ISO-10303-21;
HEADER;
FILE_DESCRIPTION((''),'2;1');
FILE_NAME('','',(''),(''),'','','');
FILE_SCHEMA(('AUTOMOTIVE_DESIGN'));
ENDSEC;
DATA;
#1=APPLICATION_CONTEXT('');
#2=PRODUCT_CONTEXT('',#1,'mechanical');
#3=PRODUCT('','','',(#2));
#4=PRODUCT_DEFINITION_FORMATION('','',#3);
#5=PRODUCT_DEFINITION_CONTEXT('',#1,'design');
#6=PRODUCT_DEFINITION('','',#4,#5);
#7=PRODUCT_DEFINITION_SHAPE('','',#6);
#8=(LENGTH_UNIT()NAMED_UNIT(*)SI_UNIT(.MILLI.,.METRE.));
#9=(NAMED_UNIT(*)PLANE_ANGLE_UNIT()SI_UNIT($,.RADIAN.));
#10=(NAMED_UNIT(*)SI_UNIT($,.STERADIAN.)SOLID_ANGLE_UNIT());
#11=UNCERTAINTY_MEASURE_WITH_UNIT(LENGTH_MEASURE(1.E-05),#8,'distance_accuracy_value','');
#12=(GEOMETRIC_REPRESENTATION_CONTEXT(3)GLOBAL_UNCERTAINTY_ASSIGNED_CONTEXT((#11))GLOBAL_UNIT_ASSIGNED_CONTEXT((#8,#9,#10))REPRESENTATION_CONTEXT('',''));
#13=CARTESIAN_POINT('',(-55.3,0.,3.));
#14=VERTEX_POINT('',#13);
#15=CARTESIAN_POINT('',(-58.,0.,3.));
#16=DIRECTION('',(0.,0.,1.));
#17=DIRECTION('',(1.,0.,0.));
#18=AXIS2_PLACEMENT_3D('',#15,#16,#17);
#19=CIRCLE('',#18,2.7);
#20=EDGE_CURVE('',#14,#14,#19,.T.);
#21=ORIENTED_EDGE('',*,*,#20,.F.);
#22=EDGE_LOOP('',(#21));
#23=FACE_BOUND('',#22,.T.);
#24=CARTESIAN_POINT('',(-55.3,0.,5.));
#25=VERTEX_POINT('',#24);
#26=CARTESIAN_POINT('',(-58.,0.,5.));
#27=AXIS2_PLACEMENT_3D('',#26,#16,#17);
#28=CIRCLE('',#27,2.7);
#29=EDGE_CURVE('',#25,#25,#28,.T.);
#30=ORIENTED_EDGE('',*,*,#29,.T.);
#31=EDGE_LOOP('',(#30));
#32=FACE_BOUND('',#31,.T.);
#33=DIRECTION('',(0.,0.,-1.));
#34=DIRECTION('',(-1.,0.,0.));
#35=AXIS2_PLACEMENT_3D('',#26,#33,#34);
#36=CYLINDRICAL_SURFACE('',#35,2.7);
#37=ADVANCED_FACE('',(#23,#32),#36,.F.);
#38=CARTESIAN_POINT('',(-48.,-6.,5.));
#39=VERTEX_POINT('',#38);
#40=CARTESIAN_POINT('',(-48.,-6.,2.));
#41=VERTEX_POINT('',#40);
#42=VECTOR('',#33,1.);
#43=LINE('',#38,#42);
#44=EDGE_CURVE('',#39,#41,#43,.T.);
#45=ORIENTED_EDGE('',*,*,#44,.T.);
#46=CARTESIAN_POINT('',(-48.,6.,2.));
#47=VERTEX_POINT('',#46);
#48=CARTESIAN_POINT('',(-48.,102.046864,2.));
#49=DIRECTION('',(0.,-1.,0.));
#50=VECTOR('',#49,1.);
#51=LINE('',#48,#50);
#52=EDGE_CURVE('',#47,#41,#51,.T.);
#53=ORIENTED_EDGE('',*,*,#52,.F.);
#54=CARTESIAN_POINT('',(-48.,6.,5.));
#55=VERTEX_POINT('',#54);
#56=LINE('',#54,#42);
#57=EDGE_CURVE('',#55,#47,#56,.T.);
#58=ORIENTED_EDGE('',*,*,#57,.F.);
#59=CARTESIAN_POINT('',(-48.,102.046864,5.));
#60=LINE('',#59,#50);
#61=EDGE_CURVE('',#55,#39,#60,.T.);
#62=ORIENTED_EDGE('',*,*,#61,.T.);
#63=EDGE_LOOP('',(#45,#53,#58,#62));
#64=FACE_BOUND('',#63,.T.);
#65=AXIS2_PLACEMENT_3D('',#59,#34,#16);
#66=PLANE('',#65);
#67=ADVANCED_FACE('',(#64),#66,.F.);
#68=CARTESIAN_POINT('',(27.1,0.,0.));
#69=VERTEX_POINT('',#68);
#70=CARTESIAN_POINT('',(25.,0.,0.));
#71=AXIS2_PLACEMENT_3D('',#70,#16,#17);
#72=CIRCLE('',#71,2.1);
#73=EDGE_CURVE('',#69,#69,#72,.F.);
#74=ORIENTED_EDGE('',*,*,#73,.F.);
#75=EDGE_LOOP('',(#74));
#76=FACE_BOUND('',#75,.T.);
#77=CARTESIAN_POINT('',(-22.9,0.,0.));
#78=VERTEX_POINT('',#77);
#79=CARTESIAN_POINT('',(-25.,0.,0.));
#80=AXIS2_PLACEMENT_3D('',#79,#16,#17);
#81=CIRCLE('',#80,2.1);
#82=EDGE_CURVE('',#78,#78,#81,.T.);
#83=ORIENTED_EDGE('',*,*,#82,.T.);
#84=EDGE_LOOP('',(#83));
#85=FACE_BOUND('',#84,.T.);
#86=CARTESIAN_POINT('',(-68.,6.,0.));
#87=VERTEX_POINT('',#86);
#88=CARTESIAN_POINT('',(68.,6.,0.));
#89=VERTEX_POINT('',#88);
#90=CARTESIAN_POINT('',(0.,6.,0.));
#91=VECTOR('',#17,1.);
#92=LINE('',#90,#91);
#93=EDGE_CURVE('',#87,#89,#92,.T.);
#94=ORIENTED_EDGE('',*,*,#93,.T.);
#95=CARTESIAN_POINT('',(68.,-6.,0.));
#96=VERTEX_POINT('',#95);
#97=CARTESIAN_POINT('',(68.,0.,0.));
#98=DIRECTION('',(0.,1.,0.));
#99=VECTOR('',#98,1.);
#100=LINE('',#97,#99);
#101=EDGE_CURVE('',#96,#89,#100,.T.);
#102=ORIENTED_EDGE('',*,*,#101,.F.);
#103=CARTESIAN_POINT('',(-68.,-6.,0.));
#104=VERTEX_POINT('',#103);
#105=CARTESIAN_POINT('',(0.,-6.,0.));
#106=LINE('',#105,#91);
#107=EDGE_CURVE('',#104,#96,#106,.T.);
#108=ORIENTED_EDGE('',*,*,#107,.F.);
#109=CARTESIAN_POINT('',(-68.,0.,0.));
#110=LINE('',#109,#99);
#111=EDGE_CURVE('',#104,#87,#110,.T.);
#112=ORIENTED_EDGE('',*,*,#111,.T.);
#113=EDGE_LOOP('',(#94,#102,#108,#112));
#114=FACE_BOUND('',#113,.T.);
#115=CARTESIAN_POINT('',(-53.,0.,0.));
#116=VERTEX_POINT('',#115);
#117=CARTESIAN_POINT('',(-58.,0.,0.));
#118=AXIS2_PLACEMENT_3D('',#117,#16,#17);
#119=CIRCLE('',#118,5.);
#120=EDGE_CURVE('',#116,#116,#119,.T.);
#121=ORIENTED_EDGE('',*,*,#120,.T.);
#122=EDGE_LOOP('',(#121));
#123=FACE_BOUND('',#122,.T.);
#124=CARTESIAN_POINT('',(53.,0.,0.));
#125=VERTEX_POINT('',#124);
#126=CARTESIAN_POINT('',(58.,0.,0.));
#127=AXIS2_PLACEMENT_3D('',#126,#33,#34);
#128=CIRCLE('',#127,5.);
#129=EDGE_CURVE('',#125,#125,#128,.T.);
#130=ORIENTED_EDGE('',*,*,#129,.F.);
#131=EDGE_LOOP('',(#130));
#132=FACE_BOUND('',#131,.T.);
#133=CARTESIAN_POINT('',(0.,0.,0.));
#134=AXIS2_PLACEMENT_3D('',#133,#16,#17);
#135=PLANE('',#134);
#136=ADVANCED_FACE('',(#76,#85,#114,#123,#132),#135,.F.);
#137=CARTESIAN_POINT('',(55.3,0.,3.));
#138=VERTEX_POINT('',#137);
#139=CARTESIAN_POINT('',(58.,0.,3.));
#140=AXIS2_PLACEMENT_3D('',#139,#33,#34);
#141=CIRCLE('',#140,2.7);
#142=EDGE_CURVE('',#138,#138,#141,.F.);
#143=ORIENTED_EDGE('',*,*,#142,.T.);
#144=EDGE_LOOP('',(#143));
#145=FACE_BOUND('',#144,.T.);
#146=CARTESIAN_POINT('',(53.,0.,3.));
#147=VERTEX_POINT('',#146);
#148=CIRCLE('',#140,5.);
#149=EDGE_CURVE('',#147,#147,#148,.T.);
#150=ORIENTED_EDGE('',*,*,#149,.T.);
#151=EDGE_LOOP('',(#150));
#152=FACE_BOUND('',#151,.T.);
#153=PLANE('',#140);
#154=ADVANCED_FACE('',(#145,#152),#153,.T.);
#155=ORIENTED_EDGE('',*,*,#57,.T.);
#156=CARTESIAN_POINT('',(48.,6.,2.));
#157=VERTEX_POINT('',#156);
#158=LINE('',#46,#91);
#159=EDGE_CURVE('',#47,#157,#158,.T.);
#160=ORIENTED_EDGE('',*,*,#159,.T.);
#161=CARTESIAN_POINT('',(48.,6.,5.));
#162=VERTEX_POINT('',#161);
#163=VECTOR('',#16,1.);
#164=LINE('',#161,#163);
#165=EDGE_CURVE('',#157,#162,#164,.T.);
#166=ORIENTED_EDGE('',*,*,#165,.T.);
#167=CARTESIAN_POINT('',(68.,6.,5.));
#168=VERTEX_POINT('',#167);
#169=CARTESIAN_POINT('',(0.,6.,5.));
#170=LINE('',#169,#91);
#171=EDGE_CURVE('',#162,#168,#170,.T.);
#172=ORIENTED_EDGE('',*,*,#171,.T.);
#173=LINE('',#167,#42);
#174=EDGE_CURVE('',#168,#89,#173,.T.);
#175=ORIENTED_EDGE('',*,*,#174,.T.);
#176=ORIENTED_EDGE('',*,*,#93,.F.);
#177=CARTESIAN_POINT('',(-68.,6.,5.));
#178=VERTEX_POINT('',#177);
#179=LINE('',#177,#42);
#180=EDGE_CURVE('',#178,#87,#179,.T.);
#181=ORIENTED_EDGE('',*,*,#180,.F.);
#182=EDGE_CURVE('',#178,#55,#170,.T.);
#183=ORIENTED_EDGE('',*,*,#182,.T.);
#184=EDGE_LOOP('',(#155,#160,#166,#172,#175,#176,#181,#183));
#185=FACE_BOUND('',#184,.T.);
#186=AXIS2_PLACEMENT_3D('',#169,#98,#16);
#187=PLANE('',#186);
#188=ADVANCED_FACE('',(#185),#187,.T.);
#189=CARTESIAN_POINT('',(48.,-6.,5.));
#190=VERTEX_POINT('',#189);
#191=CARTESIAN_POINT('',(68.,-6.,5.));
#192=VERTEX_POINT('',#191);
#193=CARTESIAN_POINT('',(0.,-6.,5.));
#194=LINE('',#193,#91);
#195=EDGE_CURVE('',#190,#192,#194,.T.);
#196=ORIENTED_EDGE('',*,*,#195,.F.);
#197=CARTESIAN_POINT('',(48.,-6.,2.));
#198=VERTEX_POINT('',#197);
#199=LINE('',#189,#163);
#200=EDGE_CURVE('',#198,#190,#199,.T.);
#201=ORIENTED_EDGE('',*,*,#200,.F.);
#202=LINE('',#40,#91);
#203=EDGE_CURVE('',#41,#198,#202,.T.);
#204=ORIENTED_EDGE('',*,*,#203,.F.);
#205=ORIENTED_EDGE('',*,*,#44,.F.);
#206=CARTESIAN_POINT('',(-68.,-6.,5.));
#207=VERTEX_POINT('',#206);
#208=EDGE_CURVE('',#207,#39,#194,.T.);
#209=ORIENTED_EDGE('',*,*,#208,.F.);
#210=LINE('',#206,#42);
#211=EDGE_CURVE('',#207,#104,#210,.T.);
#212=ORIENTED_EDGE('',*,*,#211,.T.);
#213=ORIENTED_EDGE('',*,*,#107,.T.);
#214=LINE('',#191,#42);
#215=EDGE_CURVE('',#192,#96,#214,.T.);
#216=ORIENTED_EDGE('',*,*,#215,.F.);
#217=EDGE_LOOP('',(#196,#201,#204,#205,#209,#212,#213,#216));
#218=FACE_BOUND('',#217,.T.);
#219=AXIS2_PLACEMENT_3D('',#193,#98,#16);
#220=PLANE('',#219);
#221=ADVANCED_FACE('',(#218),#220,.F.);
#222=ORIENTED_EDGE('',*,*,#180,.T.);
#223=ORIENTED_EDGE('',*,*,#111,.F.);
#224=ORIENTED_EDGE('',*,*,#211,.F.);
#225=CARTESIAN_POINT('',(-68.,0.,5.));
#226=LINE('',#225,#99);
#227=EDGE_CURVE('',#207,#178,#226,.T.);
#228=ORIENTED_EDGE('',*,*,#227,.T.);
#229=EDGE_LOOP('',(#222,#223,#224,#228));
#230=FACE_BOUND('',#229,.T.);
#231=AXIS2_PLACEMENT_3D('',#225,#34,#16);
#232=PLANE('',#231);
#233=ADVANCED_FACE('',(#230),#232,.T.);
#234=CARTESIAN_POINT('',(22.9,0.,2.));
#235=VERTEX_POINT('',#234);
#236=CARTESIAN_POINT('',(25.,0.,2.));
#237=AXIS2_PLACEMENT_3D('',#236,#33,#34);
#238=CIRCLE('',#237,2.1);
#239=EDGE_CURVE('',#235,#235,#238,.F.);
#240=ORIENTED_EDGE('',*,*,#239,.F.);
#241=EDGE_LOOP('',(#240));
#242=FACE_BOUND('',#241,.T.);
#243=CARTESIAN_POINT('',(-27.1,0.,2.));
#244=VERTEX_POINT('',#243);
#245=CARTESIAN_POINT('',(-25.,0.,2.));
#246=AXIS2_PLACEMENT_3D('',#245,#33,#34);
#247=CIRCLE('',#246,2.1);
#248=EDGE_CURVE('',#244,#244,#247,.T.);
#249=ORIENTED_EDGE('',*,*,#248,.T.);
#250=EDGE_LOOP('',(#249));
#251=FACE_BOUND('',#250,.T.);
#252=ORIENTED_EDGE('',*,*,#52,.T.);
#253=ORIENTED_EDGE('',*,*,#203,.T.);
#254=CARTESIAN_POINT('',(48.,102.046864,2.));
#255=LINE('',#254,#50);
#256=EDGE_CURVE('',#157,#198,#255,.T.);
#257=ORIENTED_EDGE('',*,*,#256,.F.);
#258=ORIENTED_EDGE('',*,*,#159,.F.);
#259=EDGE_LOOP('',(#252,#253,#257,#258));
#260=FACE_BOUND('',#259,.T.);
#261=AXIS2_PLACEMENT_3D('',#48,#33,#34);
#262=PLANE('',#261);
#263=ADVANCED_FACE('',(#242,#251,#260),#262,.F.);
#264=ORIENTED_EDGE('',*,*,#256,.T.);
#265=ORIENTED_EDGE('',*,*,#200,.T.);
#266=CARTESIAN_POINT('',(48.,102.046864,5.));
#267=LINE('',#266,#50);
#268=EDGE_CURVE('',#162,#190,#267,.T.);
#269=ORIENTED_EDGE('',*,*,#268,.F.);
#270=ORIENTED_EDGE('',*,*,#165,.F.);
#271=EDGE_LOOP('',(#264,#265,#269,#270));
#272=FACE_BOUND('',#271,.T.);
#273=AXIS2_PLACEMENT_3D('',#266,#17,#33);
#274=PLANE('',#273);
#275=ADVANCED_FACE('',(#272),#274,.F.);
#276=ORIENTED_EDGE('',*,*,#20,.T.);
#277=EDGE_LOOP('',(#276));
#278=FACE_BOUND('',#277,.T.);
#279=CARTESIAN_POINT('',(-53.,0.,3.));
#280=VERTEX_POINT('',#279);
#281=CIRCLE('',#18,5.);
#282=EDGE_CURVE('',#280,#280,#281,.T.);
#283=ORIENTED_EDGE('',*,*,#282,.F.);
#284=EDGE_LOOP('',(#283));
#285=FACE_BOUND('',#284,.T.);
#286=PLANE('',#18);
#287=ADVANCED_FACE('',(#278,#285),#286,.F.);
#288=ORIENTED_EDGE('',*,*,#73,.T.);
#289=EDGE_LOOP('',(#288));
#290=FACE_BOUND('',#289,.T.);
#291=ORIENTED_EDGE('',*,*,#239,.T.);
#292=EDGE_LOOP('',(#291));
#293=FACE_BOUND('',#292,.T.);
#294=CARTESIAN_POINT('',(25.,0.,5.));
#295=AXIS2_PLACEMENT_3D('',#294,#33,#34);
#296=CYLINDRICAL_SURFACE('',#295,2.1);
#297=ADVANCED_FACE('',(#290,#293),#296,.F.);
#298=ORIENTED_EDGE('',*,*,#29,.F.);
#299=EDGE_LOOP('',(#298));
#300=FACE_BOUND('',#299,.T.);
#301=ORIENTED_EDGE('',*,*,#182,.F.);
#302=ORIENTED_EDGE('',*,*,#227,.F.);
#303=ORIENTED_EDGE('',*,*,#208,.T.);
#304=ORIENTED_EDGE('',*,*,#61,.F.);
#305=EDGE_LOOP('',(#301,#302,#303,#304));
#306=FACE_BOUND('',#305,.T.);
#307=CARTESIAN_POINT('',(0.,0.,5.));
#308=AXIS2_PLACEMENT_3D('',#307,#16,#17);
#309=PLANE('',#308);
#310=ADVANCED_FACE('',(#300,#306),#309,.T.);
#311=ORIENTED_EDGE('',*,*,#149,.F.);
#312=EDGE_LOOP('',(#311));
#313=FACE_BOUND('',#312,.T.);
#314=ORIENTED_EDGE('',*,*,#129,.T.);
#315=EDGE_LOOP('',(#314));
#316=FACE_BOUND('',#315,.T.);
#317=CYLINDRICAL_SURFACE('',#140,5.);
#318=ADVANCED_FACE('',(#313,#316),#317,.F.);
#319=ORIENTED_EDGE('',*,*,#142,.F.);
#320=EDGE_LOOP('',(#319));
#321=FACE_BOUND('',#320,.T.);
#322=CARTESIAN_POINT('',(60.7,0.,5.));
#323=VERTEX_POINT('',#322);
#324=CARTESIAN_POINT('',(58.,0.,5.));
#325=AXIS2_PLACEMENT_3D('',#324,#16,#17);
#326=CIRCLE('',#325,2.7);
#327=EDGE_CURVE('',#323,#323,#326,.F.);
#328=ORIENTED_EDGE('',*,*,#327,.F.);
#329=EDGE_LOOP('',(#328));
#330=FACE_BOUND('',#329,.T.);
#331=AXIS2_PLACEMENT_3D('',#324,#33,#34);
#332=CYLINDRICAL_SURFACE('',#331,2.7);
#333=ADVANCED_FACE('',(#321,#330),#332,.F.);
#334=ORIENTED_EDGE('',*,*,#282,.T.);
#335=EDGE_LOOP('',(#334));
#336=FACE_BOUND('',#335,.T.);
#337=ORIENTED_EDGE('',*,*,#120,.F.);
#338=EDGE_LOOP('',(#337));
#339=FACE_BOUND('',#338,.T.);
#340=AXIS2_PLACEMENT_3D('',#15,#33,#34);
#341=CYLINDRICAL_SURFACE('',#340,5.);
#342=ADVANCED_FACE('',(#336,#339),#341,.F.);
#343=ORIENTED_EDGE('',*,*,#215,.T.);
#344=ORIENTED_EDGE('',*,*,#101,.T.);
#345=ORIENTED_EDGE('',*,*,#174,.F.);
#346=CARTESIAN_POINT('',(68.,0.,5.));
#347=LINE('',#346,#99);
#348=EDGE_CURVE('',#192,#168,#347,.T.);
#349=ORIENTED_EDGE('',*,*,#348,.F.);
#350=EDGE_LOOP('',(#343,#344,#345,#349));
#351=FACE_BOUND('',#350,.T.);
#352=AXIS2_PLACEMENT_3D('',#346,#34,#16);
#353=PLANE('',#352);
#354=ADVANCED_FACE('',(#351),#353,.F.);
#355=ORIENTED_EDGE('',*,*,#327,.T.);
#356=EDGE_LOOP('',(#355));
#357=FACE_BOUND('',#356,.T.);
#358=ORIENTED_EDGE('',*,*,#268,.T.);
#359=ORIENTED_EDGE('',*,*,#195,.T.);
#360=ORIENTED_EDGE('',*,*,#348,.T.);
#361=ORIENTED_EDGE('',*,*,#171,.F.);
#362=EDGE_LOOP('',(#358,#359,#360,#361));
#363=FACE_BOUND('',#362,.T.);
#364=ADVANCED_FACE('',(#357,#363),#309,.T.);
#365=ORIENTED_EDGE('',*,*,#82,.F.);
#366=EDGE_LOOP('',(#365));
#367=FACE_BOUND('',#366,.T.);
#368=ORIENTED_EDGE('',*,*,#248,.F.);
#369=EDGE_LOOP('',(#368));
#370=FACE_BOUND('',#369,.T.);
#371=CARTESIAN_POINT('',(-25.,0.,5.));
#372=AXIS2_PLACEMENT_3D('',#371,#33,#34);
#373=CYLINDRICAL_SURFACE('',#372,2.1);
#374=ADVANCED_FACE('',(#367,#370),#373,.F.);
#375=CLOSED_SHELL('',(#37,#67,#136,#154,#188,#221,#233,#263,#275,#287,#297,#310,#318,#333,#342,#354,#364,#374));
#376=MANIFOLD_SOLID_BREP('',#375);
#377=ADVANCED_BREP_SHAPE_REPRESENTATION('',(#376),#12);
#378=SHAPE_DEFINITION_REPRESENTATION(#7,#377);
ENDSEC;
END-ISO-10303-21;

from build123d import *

# Parameters (mm, degrees)
SKETCH1_W           = 136
SKETCH1_H           = 12
SKETCH1_R           = 2.1
SKETCH1_R_2         = 5
SKETCH1_R_3         = 2.7
BOSS_EXTRUDE1_DEPTH = 5
SKETCH2_W           = 96
SKETCH2_H           = 3
CUT_EXTRUDE1_DEPTH  = 12
SKETCH1_3_R         = 5
CUT_EXTRUDE2_DEPTH  = 3


with BuildPart() as part:
    # Sketch1 → Boss-Extrude1 (new body)
    with BuildSketch(Plane.XY):
        Rectangle(SKETCH1_W, SKETCH1_H)
        with Locations((25, 0)):
            Circle(SKETCH1_R, mode=Mode.SUBTRACT)
        with Locations((-58, 0)):
            Circle(SKETCH1_R_2, mode=Mode.SUBTRACT)
        with Locations((-25, 0)):
            Circle(SKETCH1_R, mode=Mode.SUBTRACT)
        with Locations((58, 0)):
            Circle(SKETCH1_R_2, mode=Mode.SUBTRACT)
        with Locations((-58, 0)):
            Circle(SKETCH1_R_2)
        with Locations((-58, 0)):
            Circle(SKETCH1_R_3, mode=Mode.SUBTRACT)
        with Locations((58, 0)):
            Circle(SKETCH1_R_2)
        with Locations((58, 0)):
            Circle(SKETCH1_R_3, mode=Mode.SUBTRACT)
    extrude(amount=BOSS_EXTRUDE1_DEPTH)

    # Sketch2 → Cut-Extrude1 (cut)
    with BuildSketch(Plane.XZ.offset(6)):
        with Locations((0, 3.5)):
            Rectangle(SKETCH2_W, SKETCH2_H)
    extrude(amount=-CUT_EXTRUDE1_DEPTH, mode=Mode.SUBTRACT)

    # Sketch1<3> → Cut-Extrude2 (cut)
    with BuildSketch(Plane.XY):
        with Locations((-58, 0)):
            Circle(SKETCH1_3_R)
        with Locations((58, 0)):
            Circle(SKETCH1_3_R)
    extrude(amount=CUT_EXTRUDE2_DEPTH, mode=Mode.SUBTRACT)


solid = part.part
